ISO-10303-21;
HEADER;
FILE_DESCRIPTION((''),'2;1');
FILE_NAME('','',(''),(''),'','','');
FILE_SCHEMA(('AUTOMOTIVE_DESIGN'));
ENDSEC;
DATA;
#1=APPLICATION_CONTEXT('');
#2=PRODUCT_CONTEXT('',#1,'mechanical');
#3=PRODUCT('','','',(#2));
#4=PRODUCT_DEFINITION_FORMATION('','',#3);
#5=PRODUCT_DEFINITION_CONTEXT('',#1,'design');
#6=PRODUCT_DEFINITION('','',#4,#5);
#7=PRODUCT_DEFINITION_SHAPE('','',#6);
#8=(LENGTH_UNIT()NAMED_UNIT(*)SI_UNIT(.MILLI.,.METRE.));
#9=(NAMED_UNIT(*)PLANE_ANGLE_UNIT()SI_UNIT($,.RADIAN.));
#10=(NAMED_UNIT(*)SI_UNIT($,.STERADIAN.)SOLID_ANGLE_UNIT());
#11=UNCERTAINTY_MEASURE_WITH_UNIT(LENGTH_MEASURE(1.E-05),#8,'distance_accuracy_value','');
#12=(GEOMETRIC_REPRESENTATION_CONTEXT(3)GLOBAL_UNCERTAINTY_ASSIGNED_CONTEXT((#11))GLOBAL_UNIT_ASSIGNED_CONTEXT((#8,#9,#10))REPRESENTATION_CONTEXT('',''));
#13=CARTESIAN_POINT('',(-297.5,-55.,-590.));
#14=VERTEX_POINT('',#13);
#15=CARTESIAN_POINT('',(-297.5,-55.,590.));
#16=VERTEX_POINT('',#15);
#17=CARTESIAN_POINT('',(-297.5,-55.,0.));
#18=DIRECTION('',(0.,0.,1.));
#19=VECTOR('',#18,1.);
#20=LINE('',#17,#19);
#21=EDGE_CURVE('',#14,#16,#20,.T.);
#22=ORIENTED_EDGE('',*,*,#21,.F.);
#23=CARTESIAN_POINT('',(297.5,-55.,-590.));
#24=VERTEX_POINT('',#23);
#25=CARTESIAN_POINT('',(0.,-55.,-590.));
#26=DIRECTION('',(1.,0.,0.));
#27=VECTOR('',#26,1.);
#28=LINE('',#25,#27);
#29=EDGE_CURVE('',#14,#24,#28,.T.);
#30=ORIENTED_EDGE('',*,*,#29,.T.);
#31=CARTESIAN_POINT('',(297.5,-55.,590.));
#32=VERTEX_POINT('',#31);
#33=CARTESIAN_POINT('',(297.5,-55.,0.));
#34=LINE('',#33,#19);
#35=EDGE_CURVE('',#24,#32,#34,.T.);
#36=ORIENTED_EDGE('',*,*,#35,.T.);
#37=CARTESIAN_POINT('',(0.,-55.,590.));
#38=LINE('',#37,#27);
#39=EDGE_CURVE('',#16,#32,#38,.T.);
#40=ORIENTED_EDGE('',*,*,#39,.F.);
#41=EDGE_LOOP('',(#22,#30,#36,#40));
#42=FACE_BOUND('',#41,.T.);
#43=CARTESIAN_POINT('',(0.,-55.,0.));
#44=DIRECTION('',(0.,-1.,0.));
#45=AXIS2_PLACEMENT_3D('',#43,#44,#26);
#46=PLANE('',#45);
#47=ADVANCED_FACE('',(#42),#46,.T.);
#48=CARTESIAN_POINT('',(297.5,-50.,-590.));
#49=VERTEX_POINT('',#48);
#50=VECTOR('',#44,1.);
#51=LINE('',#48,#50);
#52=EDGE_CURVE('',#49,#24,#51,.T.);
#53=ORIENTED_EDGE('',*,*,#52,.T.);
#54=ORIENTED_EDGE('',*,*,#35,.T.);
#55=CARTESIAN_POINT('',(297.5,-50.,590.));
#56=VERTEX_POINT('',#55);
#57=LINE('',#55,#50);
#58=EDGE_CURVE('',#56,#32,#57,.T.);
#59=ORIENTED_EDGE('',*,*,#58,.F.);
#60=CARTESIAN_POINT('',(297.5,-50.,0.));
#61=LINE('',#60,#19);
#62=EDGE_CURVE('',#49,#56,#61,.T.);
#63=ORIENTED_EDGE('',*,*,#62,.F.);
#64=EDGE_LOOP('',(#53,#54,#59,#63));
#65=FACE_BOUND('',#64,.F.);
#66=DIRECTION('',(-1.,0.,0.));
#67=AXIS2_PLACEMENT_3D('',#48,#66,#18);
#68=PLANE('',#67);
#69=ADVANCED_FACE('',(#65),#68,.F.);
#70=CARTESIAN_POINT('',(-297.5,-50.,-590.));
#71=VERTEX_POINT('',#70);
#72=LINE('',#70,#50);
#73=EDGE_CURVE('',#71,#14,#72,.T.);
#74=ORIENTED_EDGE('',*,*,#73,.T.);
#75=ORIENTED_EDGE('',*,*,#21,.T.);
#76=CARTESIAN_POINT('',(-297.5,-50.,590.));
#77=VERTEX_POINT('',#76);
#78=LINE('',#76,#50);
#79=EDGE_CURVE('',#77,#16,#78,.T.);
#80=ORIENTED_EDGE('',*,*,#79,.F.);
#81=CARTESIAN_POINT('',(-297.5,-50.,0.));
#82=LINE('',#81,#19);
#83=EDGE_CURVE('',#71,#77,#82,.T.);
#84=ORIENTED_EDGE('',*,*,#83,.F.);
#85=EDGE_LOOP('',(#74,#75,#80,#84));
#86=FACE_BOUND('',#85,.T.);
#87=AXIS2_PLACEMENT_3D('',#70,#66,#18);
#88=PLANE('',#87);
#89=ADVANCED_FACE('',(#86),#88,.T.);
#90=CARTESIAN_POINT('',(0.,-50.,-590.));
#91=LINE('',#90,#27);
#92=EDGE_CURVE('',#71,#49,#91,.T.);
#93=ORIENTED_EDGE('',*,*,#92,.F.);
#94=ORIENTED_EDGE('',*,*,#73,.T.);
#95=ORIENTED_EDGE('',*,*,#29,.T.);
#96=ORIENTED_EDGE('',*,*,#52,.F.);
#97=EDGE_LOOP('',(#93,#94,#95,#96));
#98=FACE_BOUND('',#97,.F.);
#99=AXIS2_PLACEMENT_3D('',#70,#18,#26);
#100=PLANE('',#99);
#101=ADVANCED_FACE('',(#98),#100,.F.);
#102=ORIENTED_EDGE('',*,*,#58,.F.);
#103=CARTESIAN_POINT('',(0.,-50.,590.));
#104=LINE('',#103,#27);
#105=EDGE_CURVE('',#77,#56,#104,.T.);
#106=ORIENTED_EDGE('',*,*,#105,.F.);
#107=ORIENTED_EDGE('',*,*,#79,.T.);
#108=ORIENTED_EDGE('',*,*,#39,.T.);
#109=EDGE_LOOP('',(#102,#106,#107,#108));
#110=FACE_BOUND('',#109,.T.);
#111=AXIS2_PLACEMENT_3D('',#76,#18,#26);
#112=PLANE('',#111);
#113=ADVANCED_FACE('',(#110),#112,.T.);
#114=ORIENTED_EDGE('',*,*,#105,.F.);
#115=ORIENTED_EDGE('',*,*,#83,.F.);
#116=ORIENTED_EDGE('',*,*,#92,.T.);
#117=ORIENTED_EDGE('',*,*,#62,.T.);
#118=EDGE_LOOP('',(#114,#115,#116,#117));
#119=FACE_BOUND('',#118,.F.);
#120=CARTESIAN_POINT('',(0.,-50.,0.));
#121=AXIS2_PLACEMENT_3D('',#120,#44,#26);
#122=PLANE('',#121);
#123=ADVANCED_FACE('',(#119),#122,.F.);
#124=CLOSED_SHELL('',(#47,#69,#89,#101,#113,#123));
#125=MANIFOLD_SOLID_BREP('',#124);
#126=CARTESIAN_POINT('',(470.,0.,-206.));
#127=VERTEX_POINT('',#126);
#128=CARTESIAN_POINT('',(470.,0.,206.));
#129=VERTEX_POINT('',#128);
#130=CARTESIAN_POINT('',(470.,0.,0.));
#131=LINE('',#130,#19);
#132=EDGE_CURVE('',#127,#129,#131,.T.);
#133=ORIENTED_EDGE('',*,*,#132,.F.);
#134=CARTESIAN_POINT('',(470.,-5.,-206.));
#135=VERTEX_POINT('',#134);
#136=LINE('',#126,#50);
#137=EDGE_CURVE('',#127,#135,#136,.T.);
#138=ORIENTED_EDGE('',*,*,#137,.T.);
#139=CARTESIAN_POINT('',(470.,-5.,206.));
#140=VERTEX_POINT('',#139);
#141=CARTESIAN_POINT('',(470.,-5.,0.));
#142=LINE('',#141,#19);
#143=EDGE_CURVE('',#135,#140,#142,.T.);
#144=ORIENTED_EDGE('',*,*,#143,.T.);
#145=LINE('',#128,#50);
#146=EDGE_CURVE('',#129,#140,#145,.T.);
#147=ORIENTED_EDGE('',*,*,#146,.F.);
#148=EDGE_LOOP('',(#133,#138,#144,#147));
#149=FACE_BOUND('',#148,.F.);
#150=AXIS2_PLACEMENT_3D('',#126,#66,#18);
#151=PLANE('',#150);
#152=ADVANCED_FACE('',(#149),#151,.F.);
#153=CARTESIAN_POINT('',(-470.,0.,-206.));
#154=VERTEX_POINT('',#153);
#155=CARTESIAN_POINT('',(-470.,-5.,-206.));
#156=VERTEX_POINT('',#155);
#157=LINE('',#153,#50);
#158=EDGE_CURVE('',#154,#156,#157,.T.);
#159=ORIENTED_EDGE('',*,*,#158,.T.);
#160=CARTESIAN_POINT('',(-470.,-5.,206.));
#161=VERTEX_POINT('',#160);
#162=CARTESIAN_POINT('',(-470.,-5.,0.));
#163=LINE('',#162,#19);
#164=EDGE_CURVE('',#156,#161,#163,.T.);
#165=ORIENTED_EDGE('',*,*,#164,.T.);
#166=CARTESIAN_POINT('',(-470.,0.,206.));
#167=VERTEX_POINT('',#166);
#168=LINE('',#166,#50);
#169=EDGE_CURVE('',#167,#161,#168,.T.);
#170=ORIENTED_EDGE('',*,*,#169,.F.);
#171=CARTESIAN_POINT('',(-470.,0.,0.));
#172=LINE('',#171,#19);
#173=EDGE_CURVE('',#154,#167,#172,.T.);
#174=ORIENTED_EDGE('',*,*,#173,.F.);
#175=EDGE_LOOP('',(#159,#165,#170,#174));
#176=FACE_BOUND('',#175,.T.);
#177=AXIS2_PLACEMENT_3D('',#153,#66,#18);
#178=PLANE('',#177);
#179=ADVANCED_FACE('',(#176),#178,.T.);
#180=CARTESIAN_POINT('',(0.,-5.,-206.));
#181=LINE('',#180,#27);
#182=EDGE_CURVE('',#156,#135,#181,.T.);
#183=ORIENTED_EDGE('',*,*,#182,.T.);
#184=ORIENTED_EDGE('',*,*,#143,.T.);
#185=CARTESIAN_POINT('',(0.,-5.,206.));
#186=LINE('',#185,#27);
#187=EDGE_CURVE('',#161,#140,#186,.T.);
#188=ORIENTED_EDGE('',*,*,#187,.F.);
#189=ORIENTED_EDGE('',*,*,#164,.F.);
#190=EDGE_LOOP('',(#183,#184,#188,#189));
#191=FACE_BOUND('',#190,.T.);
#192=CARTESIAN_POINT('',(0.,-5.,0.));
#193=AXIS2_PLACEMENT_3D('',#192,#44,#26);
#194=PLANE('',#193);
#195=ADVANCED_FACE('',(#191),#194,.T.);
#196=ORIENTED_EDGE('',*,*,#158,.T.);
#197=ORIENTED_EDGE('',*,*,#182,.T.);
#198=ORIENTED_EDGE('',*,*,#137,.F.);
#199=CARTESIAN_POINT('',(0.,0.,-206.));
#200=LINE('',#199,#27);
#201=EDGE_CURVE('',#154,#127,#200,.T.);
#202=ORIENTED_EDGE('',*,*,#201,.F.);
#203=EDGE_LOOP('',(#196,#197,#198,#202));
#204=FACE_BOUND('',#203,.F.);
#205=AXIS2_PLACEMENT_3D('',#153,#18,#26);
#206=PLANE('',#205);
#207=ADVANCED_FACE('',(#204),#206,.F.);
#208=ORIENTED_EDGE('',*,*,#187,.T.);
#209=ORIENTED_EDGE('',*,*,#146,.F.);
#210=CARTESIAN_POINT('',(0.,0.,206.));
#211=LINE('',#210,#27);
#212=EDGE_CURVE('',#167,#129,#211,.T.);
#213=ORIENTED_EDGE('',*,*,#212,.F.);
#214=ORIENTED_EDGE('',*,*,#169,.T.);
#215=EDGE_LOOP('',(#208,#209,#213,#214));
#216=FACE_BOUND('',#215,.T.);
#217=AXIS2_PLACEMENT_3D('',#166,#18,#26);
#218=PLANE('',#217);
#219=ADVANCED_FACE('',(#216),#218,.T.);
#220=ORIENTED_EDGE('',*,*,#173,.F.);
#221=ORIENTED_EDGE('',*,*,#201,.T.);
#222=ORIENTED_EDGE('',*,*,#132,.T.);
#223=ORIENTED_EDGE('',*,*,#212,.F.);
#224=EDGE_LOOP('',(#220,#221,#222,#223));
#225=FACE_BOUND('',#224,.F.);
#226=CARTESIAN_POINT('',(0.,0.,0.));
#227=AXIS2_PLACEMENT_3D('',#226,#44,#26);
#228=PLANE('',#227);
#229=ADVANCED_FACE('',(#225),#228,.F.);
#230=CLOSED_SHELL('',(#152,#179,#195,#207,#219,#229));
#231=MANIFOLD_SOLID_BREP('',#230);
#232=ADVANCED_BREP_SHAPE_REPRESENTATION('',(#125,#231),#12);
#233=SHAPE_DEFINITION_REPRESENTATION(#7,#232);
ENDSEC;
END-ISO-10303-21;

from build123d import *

# Parameters (mm, degrees)
F0_W     = 940
F0_H     = 412
F1_DEPTH = 5
F3_W     = 595
F3_H     = 1180
F4_DEPTH = 5


with BuildPart() as f1:
    # F0 (on Front) → F1 (new body)
    with BuildSketch(Plane.XZ):
        Rectangle(F0_W, F0_H)
    extrude(amount=F1_DEPTH)


with BuildPart() as f4:
    # F3 (on offset) → F4 (new body)
    with BuildSketch(Plane.XZ.offset(50)):
        Rectangle(F3_W, F3_H)
    extrude(amount=F4_DEPTH)


solid = Compound([f1.part, f4.part])
